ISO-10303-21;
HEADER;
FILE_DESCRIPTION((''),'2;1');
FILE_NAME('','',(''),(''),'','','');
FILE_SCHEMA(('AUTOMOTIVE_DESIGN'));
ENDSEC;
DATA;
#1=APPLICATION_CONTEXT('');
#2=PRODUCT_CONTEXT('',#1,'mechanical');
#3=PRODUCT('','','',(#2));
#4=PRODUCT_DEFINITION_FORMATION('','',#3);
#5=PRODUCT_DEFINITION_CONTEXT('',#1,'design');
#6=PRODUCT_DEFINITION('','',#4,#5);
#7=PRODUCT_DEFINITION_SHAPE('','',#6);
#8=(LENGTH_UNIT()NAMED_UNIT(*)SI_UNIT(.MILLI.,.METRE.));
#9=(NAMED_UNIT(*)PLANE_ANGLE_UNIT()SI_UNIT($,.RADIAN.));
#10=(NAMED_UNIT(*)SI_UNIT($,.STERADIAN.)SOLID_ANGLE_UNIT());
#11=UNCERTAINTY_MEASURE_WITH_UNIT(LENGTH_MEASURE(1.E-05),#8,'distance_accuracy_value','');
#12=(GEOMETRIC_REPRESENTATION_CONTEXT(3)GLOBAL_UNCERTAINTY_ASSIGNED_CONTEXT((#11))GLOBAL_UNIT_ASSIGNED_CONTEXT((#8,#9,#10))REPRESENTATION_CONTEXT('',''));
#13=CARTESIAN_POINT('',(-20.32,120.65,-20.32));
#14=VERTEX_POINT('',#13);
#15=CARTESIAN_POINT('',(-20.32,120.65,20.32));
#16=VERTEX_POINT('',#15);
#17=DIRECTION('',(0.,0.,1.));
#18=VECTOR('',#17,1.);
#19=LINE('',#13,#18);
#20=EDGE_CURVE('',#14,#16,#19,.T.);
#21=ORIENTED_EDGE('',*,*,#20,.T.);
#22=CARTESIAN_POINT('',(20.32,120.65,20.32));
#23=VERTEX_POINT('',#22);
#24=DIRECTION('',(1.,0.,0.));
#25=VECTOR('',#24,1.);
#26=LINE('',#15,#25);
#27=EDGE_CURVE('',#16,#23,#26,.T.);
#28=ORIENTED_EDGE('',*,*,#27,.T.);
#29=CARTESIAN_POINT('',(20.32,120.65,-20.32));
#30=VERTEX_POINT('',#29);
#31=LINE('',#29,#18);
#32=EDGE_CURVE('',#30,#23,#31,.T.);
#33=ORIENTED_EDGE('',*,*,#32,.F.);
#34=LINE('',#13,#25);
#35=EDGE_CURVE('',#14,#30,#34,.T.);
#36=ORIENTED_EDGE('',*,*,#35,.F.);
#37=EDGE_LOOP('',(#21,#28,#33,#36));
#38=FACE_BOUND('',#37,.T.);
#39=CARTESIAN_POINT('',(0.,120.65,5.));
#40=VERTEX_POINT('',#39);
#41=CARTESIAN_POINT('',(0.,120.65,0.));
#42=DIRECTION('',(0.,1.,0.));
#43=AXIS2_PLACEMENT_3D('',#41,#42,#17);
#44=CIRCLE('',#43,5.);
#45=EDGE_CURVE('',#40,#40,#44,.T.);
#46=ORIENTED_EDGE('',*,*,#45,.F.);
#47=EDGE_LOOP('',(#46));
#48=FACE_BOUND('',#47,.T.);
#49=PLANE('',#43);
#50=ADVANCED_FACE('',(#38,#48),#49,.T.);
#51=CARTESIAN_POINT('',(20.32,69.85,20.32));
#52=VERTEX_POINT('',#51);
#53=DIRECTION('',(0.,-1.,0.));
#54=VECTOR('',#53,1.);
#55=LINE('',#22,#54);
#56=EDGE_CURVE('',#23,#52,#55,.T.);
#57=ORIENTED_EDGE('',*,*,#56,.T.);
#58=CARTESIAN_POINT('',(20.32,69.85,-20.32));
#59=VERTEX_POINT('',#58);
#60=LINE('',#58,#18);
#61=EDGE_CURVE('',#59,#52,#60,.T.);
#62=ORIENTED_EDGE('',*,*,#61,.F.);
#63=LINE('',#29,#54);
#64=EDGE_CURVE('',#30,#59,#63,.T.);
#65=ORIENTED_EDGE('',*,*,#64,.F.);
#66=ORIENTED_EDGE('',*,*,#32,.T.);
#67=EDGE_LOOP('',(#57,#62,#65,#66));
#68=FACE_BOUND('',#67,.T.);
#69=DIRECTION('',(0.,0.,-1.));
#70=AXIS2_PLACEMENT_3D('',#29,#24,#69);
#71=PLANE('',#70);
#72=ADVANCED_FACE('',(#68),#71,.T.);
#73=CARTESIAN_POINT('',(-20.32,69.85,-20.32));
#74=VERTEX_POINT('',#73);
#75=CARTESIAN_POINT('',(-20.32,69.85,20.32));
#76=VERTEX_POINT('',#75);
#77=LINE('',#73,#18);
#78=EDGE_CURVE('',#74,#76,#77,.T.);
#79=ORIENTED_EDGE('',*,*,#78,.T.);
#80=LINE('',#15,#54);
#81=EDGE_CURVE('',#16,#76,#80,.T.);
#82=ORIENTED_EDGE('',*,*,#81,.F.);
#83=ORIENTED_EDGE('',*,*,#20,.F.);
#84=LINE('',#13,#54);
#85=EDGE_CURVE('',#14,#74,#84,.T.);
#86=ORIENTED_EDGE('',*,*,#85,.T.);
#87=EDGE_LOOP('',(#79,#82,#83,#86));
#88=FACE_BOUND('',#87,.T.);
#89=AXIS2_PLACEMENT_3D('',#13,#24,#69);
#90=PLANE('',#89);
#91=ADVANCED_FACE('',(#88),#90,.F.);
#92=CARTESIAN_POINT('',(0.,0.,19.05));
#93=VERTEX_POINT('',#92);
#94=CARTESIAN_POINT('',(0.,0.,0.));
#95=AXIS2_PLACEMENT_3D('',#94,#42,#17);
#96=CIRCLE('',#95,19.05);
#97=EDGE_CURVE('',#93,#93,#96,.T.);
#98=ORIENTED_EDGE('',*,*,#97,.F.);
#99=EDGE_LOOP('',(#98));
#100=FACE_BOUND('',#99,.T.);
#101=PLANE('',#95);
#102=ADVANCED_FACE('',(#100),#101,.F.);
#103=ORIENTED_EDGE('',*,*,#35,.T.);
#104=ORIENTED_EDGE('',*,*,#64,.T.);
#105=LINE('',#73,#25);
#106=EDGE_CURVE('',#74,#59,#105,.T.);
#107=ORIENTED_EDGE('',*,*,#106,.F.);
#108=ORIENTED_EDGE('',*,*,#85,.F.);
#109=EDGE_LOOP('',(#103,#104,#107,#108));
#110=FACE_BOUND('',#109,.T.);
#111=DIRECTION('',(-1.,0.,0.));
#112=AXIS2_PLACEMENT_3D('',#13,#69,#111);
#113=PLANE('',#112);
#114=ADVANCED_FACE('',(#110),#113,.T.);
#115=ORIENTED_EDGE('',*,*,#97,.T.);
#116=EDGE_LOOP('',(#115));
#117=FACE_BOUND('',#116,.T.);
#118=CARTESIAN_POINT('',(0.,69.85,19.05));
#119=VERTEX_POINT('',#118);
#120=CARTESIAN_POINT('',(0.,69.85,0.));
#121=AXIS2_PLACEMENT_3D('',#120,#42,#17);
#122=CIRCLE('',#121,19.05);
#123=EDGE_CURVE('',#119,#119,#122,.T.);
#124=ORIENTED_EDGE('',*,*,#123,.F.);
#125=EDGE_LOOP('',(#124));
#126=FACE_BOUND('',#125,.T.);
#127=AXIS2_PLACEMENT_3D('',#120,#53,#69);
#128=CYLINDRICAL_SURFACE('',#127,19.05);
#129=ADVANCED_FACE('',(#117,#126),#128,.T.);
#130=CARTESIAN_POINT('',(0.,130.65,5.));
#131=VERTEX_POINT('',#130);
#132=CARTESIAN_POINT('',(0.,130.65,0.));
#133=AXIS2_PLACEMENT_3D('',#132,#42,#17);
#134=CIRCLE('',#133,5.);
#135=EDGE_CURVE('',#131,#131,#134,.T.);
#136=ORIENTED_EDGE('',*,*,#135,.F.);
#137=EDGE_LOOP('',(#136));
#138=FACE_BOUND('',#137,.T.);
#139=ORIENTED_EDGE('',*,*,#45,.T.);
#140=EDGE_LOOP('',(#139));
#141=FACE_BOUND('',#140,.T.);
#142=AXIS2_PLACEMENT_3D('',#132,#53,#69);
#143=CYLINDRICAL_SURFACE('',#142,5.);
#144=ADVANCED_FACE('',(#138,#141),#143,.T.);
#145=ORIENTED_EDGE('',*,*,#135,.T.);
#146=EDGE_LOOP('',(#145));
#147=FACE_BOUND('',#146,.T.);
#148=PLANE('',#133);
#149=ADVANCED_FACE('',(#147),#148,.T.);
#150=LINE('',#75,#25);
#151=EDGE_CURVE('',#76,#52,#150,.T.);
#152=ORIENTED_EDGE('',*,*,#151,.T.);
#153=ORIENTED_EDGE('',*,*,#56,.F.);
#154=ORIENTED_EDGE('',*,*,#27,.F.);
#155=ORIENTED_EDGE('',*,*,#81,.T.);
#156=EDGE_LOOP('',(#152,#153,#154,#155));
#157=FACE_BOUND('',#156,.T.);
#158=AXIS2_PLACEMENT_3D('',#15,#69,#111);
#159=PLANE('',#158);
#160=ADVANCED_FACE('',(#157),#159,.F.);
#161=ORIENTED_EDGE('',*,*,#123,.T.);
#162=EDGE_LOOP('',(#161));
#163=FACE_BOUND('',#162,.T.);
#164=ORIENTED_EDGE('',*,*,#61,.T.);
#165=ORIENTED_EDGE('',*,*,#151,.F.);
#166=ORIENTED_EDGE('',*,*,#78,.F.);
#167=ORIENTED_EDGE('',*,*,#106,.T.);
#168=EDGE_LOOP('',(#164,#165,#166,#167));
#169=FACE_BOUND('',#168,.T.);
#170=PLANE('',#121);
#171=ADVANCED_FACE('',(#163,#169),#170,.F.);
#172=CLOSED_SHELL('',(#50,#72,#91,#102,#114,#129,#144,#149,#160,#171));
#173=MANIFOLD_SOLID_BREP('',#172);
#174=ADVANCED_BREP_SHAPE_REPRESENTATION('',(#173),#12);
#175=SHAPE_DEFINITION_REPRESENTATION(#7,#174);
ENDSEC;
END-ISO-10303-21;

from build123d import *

# Parameters (mm, degrees)
SKETCH1_R           = 19.05
BOSS_EXTRUDE1_DEPTH = 69.85
SKETCH2_W           = 40.64
SKETCH2_H           = 40.64
BOSS_EXTRUDE2_DEPTH = 50.8
SKETCH3_R           = 5
BOSS_EXTRUDE3_DEPTH = 10


with BuildPart() as part:
    # Sketch1 → Boss-Extrude1 (new body)
    with BuildSketch(Plane(origin=(0, 0, 0), x_dir=(1, 0, 0), z_dir=(0, 1, 0))):
        with Locations(Location((0, 0, 0), (0, 0, 270))):
            Circle(SKETCH1_R)
    extrude(amount=BOSS_EXTRUDE1_DEPTH)

    # Sketch2 → Boss-Extrude2 (add)
    with BuildSketch(Plane(origin=(0, 69.85, 0), x_dir=(1, 0, 0), z_dir=(0, 1, 0))):
        Rectangle(SKETCH2_W, SKETCH2_H)
    extrude(amount=BOSS_EXTRUDE2_DEPTH)

    # Sketch3 → Boss-Extrude3 (add)
    with BuildSketch(Plane(origin=(0, 120.65, 0), x_dir=(1, 0, 0), z_dir=(0, 1, 0))):
        with Locations(Location((0, 0, 0), (0, 0, 270))):
            Circle(SKETCH3_R)
    extrude(amount=BOSS_EXTRUDE3_DEPTH)


solid = part.part
